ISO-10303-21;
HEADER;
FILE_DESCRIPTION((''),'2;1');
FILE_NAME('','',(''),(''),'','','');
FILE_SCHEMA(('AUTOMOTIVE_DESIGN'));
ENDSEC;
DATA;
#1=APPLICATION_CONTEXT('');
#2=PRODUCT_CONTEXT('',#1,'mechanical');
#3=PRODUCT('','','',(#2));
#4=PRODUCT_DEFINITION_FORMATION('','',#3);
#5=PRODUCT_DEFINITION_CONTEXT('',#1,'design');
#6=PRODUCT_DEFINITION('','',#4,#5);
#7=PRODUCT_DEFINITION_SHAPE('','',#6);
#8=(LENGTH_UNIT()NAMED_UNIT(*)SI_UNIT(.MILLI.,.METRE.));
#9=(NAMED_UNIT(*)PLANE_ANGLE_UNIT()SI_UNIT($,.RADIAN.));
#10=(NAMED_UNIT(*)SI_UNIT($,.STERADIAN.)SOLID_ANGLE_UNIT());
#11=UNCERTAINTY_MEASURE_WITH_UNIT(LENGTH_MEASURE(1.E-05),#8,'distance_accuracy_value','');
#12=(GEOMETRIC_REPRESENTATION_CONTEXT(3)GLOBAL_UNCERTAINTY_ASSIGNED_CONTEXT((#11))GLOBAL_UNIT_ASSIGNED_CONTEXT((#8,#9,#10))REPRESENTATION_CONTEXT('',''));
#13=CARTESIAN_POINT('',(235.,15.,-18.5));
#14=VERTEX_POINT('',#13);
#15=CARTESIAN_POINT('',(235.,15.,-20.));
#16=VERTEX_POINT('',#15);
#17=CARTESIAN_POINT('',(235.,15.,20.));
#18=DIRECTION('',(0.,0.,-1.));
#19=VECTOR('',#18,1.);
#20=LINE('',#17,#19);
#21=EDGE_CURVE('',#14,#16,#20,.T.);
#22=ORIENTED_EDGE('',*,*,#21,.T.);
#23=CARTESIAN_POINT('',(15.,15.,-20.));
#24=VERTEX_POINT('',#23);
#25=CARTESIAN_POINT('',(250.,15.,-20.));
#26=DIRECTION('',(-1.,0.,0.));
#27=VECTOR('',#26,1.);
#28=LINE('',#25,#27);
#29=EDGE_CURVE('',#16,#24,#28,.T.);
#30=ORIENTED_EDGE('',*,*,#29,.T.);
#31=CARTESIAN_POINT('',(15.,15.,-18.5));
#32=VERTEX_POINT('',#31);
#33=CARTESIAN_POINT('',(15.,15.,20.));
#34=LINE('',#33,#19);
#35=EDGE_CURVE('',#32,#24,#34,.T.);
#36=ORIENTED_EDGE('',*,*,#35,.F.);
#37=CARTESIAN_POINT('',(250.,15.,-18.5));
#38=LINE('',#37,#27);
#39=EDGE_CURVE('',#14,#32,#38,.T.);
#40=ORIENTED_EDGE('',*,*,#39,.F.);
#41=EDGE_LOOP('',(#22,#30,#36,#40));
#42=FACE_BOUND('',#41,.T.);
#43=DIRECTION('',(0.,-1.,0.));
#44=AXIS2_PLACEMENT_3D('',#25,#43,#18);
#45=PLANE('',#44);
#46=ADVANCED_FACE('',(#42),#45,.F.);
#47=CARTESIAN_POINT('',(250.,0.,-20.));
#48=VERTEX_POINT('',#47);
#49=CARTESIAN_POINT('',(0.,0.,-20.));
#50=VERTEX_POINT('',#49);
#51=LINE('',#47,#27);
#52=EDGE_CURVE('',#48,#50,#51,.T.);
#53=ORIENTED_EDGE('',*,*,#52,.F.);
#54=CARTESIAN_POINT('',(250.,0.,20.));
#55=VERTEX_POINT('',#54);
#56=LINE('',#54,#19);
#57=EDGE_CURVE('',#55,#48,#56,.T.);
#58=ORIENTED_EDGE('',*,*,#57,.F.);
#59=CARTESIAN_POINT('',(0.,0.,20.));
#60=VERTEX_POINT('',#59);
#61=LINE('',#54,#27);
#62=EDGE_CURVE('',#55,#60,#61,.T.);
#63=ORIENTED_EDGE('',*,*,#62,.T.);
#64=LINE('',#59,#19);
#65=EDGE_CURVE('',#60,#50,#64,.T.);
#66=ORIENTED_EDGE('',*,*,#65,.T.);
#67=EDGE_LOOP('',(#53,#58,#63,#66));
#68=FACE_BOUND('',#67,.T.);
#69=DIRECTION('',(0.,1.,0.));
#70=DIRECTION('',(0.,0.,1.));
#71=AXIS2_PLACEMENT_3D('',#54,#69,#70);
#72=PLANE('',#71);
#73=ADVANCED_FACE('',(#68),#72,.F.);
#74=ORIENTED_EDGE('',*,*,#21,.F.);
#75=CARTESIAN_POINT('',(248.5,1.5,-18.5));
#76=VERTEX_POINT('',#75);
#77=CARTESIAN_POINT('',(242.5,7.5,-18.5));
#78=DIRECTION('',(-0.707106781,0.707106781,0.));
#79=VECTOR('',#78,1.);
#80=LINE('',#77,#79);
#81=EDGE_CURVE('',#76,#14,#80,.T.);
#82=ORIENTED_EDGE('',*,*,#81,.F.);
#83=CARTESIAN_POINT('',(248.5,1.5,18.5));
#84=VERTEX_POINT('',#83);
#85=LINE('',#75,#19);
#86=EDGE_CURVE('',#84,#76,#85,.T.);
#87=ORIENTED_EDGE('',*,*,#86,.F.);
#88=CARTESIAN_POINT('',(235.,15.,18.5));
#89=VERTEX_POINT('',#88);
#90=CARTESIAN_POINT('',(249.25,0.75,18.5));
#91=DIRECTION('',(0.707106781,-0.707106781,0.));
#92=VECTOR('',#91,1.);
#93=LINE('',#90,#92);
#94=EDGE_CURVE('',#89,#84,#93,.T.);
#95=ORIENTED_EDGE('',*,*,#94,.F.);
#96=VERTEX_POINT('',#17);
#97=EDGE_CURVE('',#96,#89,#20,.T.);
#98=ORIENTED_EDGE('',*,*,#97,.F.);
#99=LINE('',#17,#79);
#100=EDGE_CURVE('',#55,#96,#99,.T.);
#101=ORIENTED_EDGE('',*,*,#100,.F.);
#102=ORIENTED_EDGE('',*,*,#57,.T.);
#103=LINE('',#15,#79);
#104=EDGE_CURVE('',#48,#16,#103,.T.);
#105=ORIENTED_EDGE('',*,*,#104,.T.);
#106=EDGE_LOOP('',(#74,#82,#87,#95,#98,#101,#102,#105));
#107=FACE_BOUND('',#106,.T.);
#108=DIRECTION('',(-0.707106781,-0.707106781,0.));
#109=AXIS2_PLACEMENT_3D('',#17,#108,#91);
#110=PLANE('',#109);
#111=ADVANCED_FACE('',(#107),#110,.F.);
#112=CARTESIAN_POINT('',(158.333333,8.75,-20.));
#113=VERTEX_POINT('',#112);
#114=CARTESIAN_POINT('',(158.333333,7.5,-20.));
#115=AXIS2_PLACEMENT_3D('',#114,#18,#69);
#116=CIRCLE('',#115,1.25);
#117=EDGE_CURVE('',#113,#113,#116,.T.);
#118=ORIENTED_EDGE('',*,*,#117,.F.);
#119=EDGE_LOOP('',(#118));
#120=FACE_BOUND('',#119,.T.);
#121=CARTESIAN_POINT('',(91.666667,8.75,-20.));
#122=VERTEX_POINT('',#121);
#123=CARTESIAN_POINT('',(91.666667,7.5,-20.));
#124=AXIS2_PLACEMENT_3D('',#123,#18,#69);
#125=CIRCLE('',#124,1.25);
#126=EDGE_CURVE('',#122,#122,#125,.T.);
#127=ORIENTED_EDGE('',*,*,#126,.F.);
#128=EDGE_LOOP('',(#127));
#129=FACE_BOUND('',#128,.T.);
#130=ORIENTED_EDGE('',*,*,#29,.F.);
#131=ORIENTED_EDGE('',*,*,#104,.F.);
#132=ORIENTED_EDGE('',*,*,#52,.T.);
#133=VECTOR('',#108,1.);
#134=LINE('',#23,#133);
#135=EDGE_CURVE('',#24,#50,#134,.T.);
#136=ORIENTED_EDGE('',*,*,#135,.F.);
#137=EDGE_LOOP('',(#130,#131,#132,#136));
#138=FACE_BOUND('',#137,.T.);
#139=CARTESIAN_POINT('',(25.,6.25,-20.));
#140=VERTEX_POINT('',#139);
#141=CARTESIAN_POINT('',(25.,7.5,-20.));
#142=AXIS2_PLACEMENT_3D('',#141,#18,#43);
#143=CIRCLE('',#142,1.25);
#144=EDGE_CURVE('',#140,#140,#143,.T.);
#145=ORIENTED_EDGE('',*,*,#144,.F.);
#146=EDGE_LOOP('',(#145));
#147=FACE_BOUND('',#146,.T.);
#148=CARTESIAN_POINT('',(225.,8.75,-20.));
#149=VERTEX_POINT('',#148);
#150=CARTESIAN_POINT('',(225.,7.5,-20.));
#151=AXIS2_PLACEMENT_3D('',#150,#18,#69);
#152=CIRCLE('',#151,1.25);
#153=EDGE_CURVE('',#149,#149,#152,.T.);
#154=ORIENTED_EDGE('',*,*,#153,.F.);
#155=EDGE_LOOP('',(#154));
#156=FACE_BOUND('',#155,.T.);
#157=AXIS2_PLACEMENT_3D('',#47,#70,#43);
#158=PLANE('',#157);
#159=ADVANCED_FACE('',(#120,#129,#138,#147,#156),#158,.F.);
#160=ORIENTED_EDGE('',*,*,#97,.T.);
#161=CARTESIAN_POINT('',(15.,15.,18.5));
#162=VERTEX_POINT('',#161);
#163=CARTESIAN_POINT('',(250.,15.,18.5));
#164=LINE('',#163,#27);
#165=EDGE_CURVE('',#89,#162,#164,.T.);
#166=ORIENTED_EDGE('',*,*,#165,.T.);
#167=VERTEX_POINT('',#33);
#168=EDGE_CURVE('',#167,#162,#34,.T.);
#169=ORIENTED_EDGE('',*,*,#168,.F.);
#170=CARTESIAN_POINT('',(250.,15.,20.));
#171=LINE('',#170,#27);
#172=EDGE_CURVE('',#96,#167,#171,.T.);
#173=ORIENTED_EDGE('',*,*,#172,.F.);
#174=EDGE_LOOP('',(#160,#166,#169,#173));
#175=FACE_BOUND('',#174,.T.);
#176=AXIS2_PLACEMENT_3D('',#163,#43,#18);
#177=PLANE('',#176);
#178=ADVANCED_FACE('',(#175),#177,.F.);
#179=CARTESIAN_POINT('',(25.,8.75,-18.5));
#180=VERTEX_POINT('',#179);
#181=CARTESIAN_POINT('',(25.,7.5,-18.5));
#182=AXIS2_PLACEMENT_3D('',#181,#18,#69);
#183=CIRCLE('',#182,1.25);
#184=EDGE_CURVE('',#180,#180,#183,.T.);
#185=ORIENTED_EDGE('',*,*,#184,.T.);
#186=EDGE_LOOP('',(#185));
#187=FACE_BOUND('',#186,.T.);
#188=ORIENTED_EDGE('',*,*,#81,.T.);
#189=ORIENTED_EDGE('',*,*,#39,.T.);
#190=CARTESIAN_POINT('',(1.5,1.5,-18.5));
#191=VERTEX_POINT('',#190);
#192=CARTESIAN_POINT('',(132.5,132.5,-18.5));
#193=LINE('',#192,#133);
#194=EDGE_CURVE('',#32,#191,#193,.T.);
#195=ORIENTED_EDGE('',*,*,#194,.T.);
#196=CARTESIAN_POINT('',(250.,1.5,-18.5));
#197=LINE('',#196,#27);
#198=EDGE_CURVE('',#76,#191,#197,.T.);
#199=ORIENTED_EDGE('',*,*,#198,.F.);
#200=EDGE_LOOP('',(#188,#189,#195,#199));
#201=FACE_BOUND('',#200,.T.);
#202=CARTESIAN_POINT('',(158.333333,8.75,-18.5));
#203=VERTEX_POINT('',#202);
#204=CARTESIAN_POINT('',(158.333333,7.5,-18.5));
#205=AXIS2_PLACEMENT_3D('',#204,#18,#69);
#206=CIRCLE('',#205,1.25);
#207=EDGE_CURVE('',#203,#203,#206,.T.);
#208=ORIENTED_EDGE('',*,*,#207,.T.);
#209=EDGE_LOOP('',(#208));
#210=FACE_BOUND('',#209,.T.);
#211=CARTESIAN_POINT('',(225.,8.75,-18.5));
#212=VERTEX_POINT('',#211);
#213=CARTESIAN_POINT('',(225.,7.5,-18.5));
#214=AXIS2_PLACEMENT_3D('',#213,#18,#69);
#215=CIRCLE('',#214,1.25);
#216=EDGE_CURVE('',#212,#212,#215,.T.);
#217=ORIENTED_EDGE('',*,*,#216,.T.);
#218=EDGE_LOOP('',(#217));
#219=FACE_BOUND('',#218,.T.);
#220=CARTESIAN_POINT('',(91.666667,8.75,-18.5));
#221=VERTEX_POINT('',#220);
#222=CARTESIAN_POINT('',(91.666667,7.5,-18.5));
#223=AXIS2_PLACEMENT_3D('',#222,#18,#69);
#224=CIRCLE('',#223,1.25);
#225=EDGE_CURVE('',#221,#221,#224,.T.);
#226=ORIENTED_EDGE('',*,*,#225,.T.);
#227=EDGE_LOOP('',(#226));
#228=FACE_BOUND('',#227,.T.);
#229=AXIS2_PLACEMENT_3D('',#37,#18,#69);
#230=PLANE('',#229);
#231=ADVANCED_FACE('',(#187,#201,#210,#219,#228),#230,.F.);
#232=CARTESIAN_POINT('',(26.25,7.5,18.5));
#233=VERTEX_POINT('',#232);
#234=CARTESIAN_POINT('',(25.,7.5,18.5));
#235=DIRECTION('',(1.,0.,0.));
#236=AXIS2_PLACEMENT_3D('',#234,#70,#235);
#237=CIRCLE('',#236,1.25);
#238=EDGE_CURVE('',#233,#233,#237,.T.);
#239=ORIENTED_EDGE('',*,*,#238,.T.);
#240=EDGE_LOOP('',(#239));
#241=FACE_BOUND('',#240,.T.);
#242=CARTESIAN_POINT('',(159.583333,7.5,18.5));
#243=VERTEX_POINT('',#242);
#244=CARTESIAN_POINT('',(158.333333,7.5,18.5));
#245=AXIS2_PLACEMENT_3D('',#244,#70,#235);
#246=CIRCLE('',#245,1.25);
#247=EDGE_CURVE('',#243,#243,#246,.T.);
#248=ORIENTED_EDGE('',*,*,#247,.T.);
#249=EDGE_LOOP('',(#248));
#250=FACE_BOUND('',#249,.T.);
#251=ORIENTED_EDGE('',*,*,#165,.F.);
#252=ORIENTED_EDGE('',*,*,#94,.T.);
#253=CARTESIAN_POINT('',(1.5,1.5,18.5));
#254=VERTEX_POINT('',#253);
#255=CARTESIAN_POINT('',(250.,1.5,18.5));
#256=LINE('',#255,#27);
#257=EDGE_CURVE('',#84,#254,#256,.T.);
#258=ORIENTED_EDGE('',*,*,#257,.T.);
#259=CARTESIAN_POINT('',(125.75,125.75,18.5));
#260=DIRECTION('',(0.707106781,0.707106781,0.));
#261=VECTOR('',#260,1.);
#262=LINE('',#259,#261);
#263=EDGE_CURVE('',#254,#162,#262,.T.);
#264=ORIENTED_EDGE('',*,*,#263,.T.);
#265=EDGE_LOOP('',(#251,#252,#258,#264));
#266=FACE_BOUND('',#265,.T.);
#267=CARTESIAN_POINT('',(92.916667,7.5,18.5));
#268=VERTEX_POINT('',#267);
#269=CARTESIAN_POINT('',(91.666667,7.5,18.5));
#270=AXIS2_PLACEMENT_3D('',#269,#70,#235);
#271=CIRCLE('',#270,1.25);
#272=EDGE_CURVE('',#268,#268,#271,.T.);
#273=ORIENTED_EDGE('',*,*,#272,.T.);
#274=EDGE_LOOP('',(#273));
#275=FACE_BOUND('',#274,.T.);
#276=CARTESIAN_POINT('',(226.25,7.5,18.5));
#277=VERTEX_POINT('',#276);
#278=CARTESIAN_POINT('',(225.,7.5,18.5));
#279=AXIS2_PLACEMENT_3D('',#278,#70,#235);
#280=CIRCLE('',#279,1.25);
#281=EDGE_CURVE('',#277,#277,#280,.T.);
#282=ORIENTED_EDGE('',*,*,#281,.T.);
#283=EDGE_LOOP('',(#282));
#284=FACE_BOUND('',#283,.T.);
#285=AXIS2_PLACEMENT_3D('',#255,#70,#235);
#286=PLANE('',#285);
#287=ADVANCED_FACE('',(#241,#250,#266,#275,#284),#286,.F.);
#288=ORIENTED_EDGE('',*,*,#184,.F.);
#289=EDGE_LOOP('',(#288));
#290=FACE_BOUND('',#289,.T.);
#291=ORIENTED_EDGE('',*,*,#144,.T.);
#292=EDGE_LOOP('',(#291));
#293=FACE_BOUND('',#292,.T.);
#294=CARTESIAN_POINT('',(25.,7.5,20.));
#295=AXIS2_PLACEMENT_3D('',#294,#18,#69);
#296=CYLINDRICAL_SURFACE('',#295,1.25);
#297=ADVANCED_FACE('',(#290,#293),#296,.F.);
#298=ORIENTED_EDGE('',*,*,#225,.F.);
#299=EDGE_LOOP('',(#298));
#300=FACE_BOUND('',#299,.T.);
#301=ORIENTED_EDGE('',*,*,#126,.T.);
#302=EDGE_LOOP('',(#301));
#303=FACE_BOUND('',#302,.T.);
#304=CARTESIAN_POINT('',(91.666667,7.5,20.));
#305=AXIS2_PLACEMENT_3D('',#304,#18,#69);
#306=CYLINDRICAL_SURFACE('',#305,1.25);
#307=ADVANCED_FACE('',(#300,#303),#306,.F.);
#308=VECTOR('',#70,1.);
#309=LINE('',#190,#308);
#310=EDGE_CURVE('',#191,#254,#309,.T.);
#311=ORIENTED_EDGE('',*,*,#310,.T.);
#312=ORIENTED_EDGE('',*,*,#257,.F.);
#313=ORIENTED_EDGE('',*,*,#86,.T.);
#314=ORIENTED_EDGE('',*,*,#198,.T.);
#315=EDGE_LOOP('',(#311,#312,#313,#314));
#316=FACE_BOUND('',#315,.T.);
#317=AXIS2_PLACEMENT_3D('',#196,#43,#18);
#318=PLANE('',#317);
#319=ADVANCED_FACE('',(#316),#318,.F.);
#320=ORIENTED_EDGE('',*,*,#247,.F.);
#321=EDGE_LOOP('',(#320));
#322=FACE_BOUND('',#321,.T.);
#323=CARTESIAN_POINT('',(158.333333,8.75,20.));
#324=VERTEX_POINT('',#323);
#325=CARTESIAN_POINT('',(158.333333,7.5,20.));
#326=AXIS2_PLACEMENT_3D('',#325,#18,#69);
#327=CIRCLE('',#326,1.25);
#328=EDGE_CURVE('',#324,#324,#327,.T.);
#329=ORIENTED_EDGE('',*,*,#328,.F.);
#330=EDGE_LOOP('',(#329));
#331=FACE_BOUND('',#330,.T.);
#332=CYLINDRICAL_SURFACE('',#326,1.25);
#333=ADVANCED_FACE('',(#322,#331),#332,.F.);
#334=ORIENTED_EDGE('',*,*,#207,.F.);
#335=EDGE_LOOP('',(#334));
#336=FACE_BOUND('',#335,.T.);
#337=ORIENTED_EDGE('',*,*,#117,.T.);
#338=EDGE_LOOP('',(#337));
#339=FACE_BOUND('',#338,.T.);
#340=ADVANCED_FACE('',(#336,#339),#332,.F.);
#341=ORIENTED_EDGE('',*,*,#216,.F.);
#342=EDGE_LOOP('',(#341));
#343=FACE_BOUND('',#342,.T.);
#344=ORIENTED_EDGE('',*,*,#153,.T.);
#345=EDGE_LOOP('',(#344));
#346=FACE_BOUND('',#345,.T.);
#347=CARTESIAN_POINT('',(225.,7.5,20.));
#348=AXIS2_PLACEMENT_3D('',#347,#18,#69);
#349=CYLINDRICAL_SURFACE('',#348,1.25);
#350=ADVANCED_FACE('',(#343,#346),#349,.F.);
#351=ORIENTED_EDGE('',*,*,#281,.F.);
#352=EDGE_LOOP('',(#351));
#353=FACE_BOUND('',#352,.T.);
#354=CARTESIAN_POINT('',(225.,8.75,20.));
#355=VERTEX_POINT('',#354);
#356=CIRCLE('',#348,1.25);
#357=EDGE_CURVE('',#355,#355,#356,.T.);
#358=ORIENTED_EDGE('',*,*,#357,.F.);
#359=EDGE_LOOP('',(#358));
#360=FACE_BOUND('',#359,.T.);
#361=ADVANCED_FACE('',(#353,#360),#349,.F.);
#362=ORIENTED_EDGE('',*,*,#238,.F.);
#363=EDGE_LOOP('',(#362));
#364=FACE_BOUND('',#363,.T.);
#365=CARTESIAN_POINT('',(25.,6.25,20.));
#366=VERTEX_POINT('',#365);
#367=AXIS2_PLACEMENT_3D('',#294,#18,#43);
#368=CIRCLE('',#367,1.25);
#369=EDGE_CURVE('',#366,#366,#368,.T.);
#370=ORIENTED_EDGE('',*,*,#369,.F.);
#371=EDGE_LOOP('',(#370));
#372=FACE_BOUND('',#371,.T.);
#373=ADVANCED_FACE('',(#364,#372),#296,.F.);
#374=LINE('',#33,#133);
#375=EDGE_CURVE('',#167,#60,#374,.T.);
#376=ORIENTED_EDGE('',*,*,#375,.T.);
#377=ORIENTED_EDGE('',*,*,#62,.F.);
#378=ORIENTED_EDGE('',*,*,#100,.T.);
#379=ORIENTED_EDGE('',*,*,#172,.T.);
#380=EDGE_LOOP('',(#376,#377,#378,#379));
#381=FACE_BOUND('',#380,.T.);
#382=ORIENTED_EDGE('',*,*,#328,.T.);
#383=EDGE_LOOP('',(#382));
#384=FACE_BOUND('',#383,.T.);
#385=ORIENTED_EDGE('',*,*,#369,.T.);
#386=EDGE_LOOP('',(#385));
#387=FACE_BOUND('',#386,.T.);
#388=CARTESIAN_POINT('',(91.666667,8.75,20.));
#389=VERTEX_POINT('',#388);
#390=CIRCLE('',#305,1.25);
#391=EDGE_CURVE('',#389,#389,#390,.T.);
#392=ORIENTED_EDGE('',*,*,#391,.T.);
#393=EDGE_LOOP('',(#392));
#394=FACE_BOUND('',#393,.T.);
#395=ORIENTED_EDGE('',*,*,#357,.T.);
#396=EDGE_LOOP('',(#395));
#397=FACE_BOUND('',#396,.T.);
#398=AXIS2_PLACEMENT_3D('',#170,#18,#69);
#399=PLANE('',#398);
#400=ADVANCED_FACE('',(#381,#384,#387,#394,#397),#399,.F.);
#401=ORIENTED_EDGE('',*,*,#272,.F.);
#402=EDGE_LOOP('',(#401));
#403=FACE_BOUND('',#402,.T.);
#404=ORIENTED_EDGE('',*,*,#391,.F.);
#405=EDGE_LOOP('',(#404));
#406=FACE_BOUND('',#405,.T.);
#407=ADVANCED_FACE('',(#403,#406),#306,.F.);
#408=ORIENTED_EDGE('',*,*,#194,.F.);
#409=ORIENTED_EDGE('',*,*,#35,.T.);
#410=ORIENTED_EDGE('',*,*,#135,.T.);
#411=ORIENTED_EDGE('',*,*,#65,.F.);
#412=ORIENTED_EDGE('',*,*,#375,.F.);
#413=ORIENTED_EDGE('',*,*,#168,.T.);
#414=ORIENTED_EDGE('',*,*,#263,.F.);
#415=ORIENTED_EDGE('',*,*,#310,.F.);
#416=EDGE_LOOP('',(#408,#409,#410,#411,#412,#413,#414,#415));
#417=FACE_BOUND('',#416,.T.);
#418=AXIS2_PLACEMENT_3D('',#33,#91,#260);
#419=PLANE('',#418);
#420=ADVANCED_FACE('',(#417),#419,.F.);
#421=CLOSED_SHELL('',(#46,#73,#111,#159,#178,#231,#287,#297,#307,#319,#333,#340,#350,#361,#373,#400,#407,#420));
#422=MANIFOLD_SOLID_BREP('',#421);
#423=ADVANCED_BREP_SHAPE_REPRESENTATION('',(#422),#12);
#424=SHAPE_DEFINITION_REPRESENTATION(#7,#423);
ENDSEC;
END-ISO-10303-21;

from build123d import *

# Parameters (mm, degrees)
SALIENTE_EXTRUIR1_DEPTH = 250
CROQUIS2_R              = 1.25
CORTAR_EXTRUIR1_DEPTH   = 41


with BuildPart() as part:
    # Croquis1 → Saliente-Extruir1 (new body)
    with BuildSketch(Plane(origin=(0, 0, 0), x_dir=(0, 0, -1), z_dir=(1, 0, 0))):
        Polygon((-20, 0), (20, 0), (20, 15), (18.5, 15), (18.5, 1.5), (-18.5, 1.5), (-18.5, 15), (-20, 15), align=None)
    extrude(amount=SALIENTE_EXTRUIR1_DEPTH)

    # Croquis2 → Cortar-Extruir1 (cut, through all)
    with BuildSketch(Plane(origin=(0, 0, -20), x_dir=(-1, 0, 0), z_dir=(0, 0, -1))):
        with Locations((-225, 7.5)):
            Circle(CROQUIS2_R)
        with Locations((-25, 7.5)):
            Circle(CROQUIS2_R)
        with Locations((-158.333333333, 7.5)):
            Circle(CROQUIS2_R)
        with Locations((-91.666666667, 7.5)):
            Circle(CROQUIS2_R)
        Polygon((0, 15), (-15, 15), (0, 0), align=None)
        Polygon((-250, 15), (-235, 15), (-250, 0), align=None)
    extrude(amount=-CORTAR_EXTRUIR1_DEPTH, mode=Mode.SUBTRACT)


solid = part.part
